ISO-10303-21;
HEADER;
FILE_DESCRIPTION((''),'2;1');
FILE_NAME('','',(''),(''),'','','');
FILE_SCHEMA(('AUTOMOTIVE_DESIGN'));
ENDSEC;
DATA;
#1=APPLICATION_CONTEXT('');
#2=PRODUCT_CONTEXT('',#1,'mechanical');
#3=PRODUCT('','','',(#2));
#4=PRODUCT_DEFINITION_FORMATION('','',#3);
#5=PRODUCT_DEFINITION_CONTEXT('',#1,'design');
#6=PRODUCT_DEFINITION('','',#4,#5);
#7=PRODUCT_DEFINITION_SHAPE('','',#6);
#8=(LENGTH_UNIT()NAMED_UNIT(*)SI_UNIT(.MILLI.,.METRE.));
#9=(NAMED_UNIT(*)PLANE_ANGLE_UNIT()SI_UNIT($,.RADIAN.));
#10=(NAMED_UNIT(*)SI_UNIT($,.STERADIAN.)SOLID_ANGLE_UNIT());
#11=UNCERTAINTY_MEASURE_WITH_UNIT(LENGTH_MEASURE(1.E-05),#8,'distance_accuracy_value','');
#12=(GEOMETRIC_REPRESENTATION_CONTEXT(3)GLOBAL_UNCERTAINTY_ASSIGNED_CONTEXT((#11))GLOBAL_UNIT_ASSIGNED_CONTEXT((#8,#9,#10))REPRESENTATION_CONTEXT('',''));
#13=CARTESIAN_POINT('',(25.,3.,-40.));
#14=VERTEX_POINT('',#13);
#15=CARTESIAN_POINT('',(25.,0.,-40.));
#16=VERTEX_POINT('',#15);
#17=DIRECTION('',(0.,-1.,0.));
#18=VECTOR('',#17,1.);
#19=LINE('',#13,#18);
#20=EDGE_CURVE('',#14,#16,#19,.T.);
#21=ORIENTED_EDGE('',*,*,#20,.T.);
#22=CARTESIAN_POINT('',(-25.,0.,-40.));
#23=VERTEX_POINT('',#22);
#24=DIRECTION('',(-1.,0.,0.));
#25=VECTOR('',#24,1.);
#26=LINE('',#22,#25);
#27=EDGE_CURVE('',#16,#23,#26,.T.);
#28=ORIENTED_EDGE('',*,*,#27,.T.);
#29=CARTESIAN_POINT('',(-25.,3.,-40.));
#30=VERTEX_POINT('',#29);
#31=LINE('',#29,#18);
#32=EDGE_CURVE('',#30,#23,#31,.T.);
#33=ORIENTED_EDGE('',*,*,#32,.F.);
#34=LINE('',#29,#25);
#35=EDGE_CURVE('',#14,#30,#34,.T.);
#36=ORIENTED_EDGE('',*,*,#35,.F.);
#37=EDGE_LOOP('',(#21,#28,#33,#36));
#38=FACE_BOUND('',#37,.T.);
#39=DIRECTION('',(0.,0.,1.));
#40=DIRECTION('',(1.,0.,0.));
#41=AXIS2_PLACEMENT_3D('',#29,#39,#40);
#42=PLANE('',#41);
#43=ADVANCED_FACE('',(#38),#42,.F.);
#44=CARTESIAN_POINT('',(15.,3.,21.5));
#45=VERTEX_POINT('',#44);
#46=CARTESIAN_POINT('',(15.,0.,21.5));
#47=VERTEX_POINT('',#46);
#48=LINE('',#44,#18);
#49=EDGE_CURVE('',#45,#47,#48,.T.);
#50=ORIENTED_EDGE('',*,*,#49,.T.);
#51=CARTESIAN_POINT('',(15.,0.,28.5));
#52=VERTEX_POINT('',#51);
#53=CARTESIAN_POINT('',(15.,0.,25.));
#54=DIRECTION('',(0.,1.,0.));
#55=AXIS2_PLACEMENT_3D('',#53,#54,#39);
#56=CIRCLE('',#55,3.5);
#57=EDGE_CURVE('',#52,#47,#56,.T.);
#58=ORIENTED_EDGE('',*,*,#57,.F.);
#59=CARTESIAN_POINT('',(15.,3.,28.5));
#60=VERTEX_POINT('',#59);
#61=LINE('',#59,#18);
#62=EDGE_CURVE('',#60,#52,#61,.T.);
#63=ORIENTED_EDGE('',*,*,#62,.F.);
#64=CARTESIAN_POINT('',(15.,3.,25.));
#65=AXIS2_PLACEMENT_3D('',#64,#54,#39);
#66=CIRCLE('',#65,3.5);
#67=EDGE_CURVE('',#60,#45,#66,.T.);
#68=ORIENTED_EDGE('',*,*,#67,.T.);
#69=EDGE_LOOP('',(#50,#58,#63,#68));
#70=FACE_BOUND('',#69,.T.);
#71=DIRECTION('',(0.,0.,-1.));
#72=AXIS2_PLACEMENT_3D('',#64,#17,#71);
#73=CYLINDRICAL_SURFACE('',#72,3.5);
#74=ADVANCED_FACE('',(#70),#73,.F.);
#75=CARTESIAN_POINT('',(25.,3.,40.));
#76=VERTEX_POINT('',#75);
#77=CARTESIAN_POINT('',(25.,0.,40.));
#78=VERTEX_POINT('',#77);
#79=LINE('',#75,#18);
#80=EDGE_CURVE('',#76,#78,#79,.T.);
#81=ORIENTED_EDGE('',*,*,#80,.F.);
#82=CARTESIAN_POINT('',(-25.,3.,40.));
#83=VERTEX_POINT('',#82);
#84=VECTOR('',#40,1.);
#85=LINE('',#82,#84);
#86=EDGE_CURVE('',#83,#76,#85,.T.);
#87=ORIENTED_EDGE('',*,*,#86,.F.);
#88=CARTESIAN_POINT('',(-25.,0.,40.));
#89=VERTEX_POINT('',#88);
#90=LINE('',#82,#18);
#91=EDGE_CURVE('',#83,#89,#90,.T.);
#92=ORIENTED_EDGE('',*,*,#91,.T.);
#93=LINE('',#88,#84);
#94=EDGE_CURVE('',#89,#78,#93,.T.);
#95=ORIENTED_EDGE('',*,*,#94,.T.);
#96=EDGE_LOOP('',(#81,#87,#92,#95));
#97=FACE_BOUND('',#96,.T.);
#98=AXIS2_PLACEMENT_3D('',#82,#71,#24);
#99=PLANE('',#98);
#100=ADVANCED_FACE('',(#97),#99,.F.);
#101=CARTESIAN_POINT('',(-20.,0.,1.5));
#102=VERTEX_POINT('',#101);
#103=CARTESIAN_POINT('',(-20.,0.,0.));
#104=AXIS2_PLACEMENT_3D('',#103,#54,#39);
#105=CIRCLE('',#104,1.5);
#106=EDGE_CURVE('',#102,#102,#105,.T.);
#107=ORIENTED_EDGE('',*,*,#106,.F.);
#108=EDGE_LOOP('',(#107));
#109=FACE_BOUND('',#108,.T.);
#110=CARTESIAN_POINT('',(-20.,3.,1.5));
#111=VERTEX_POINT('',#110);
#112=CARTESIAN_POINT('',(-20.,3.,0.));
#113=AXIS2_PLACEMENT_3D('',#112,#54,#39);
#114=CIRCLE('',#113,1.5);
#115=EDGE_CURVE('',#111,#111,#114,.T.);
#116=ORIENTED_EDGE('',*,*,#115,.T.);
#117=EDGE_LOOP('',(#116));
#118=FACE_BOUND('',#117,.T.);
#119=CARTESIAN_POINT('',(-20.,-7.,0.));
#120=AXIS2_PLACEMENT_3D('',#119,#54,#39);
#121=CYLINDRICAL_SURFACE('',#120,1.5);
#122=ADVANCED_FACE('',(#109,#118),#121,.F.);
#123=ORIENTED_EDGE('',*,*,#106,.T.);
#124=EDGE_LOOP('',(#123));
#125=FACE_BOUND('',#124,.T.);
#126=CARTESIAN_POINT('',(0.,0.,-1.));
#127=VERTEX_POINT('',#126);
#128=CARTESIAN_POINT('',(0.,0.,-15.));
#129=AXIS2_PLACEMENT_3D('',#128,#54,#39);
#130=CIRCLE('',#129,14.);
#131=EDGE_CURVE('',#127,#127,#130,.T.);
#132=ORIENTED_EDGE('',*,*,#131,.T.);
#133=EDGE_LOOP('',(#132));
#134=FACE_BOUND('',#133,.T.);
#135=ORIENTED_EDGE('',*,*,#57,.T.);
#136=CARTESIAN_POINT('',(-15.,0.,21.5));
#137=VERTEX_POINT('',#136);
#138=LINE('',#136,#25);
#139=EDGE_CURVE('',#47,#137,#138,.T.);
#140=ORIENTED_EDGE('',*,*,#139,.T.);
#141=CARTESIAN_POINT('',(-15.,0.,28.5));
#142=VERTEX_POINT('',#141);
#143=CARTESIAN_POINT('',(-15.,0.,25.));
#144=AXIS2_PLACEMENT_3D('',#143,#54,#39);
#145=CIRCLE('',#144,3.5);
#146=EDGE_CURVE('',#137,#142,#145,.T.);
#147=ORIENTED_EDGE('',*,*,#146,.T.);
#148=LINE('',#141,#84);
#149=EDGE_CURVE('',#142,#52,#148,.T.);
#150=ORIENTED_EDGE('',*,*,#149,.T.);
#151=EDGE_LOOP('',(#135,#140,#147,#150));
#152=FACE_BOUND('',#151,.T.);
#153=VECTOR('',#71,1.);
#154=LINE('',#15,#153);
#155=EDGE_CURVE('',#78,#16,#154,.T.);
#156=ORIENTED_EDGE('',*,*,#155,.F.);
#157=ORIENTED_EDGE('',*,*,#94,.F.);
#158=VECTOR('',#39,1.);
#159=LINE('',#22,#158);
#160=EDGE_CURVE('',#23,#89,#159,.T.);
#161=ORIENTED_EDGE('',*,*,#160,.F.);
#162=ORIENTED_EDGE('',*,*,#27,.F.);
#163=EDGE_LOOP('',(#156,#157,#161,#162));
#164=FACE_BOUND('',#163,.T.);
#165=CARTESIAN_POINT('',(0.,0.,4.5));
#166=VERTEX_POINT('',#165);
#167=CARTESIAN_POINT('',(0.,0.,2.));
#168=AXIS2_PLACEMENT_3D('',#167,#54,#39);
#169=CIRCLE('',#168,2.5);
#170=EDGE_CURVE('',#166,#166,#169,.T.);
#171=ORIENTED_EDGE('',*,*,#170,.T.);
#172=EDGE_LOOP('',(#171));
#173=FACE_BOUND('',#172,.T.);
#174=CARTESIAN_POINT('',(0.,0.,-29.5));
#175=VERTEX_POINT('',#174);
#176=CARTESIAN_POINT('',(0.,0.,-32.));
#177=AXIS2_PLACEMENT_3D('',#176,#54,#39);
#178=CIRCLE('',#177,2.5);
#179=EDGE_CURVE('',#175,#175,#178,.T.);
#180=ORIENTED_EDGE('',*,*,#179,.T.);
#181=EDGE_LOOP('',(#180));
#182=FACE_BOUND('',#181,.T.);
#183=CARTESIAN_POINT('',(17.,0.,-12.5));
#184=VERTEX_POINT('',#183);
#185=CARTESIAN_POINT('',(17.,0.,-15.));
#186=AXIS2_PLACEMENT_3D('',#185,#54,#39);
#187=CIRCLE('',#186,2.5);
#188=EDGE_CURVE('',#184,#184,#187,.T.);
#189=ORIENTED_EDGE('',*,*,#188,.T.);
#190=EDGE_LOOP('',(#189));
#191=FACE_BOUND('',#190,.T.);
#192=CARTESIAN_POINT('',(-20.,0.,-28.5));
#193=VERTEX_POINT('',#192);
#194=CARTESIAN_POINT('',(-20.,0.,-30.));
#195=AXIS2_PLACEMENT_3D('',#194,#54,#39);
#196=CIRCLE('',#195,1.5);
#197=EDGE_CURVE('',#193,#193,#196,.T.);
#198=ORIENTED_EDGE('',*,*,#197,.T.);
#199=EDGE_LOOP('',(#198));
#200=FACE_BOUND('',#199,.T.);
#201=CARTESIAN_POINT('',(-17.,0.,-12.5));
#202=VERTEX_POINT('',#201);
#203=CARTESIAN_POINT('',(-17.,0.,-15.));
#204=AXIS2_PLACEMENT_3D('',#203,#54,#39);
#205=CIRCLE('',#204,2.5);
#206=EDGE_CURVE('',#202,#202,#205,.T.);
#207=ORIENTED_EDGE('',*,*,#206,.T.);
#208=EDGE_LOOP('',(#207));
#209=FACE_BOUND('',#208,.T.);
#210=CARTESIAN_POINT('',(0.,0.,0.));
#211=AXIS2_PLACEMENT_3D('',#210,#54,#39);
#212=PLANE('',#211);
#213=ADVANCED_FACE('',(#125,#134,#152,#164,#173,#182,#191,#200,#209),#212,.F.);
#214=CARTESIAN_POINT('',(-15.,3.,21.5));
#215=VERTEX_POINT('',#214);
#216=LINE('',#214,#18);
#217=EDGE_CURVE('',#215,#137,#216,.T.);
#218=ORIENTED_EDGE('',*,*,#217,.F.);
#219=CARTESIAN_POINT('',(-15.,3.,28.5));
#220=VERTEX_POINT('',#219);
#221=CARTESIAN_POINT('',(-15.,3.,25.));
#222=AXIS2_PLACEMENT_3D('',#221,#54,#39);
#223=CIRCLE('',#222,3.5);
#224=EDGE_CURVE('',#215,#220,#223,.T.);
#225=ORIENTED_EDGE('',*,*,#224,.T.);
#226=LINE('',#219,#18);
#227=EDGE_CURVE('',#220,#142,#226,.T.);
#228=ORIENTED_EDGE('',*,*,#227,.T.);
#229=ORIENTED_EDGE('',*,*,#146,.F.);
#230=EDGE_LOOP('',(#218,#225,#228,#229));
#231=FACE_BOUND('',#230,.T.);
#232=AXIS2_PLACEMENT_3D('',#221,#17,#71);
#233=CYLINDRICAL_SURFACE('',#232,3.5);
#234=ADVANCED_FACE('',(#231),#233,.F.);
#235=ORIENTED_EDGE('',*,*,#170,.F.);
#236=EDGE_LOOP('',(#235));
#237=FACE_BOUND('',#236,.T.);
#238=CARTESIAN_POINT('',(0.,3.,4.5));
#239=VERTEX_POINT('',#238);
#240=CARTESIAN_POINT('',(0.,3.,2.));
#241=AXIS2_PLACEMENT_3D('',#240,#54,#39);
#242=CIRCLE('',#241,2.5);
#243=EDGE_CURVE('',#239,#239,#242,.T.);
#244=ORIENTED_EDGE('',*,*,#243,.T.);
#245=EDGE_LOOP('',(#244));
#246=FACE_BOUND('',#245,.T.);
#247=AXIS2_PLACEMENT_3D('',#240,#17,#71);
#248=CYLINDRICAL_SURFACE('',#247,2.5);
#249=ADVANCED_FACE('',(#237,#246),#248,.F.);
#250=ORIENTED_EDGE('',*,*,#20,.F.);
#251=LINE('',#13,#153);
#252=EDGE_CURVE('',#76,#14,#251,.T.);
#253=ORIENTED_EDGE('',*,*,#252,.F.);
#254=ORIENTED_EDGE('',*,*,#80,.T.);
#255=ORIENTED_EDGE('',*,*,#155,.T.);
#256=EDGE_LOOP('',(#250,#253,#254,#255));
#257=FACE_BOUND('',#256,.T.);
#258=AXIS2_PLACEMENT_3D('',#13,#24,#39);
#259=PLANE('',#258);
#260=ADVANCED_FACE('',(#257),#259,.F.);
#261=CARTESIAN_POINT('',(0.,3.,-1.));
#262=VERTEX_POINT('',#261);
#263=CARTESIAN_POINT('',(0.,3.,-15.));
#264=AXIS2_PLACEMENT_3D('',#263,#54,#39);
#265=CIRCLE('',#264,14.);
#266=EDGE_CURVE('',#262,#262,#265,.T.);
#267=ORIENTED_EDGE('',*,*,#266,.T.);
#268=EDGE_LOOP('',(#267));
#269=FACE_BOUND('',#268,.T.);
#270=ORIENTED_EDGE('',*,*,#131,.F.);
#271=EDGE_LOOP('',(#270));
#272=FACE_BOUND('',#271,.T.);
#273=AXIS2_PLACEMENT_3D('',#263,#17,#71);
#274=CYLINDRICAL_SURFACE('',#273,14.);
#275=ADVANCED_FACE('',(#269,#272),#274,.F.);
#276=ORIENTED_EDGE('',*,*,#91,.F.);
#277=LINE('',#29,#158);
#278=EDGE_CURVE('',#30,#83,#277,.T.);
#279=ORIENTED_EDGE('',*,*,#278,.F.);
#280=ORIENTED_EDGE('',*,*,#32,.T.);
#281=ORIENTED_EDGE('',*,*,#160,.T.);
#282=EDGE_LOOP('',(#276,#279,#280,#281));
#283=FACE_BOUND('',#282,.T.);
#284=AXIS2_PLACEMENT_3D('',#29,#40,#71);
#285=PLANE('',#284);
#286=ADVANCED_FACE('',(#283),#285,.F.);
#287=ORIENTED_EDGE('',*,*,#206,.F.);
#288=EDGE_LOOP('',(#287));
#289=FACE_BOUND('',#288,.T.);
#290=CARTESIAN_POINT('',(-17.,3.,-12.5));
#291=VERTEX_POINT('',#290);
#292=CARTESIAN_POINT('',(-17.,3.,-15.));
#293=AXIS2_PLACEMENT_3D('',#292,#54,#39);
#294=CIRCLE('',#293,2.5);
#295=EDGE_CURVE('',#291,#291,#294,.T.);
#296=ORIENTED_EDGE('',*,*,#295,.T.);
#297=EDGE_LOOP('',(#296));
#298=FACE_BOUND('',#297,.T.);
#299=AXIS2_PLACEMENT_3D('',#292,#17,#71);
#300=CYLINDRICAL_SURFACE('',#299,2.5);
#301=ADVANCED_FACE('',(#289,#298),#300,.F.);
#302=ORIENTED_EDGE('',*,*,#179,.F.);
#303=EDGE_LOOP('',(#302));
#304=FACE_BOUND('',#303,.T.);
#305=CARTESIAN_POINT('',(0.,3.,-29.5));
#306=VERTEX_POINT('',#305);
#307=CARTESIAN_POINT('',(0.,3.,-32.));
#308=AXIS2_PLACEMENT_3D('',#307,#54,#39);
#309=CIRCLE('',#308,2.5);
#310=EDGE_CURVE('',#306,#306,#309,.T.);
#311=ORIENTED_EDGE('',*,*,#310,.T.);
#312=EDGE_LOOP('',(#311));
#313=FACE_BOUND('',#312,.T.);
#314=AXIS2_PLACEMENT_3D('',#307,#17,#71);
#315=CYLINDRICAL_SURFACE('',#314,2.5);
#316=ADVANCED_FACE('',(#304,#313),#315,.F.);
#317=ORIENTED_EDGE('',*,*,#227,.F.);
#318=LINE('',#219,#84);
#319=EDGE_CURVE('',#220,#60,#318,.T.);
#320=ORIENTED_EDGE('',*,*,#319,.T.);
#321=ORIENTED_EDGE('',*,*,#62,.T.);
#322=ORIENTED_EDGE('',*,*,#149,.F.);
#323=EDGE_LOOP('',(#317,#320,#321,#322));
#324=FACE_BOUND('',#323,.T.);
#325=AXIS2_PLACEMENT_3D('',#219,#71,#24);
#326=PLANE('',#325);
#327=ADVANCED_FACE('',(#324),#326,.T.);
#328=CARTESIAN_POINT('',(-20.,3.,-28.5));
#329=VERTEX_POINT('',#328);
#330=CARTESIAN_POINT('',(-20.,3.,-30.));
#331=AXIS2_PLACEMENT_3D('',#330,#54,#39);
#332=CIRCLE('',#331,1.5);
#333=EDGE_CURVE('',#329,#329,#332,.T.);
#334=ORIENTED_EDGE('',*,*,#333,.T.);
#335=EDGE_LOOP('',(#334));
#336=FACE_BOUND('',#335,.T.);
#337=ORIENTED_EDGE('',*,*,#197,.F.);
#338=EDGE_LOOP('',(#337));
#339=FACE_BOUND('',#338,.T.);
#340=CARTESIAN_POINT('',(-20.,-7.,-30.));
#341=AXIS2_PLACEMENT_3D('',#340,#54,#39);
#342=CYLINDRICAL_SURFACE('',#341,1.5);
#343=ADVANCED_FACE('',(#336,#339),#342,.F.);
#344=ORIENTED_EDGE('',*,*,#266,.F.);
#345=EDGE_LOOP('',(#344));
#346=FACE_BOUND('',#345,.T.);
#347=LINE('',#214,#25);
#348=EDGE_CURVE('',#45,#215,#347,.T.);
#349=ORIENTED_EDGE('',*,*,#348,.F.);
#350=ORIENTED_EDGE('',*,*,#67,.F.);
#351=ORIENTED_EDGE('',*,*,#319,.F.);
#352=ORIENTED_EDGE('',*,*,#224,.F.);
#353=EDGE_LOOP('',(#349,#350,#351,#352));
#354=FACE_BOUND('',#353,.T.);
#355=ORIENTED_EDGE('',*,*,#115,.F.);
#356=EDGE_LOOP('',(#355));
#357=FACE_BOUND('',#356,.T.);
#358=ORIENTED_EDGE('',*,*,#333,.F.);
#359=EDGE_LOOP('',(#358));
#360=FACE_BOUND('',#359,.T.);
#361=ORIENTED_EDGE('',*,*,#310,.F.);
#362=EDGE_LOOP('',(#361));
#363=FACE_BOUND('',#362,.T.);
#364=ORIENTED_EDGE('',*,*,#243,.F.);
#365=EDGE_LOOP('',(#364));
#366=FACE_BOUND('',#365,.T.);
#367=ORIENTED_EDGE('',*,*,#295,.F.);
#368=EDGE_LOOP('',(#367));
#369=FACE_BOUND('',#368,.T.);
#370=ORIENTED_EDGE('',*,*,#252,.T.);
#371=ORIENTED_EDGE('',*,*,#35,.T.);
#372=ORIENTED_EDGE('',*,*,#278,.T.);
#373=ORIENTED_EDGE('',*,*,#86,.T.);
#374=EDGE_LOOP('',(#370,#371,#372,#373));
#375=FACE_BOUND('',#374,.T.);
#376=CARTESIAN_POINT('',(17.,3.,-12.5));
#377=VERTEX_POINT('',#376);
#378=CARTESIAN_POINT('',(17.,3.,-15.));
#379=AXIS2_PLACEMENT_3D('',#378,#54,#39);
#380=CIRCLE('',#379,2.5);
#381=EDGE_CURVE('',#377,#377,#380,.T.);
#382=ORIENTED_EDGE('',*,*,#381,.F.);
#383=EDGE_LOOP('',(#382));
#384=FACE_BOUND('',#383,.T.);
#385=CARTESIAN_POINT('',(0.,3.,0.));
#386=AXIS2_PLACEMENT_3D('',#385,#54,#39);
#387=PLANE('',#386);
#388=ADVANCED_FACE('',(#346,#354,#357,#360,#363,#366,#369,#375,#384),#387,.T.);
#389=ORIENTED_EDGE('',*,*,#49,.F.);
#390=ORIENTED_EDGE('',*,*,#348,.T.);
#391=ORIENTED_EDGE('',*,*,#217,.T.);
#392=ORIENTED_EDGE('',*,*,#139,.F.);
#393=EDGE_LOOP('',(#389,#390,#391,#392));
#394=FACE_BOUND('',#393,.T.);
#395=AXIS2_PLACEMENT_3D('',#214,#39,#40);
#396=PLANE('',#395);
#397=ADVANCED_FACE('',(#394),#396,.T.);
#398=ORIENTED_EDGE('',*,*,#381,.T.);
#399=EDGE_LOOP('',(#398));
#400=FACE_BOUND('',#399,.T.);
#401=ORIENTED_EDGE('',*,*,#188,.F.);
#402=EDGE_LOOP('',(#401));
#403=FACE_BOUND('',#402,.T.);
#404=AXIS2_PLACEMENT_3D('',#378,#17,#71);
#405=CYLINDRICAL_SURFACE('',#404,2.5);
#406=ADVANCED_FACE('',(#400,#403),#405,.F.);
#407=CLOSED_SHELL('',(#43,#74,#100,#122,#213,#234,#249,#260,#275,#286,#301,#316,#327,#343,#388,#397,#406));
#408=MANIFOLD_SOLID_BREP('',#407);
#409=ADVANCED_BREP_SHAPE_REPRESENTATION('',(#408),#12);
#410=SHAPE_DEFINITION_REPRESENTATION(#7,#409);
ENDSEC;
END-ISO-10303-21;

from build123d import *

# Parameters (mm, degrees)
SKETCH1_W           = 50
SKETCH1_H           = 80
SKETCH1_R           = 2.5
SKETCH1_R_2         = 14
BOSS_EXTRUDE1_DEPTH = 3
SKETCH2_R           = 1.5
CUT_EXTRUDE1_DEPTH  = 10


with BuildPart() as part:
    # Sketch1 → Boss-Extrude1 (new body)
    with BuildSketch(Plane(origin=(0, 0, 0), x_dir=(1, 0, 0), z_dir=(0, 1, 0))):
        Rectangle(SKETCH1_W, SKETCH1_H)
        with Locations(Location((0, 32, 0), (0, 0, 270))):
            Circle(SKETCH1_R, mode=Mode.SUBTRACT)
        with Locations(Location((17, 15, 0), (0, 0, 270))):
            Circle(SKETCH1_R, mode=Mode.SUBTRACT)
        with Locations(Location((0, -2, 0), (0, 0, 270))):
            Circle(SKETCH1_R, mode=Mode.SUBTRACT)
        with Locations(Location((-17, 15, 0), (0, 0, 270))):
            Circle(SKETCH1_R, mode=Mode.SUBTRACT)
        with Locations(Location((0, 15, 0), (0, 0, 270))):
            Circle(SKETCH1_R_2, mode=Mode.SUBTRACT)
        with BuildLine():
            Line((-15, -21.5), (15, -21.5))
            ThreePointArc((15, -21.5), (18.5, -25), (15, -28.5))
            Line((15, -28.5), (-15, -28.5))
            ThreePointArc((-15, -28.5), (-18.5, -25), (-15, -21.5))
        make_face(mode=Mode.SUBTRACT)
    extrude(amount=BOSS_EXTRUDE1_DEPTH)

    # Sketch2 → Cut-Extrude1 (cut)
    with BuildSketch(Plane(origin=(0, 3, 0), x_dir=(1, 0, 0), z_dir=(0, 1, 0))):
        with Locations(Location((-20, 30, 0), (0, 0, 270))):
            Circle(SKETCH2_R)
        with Locations(Location((-20, 0, 0), (0, 0, 270))):
            Circle(SKETCH2_R)
    extrude(amount=-CUT_EXTRUDE1_DEPTH, mode=Mode.SUBTRACT)


solid = part.part
